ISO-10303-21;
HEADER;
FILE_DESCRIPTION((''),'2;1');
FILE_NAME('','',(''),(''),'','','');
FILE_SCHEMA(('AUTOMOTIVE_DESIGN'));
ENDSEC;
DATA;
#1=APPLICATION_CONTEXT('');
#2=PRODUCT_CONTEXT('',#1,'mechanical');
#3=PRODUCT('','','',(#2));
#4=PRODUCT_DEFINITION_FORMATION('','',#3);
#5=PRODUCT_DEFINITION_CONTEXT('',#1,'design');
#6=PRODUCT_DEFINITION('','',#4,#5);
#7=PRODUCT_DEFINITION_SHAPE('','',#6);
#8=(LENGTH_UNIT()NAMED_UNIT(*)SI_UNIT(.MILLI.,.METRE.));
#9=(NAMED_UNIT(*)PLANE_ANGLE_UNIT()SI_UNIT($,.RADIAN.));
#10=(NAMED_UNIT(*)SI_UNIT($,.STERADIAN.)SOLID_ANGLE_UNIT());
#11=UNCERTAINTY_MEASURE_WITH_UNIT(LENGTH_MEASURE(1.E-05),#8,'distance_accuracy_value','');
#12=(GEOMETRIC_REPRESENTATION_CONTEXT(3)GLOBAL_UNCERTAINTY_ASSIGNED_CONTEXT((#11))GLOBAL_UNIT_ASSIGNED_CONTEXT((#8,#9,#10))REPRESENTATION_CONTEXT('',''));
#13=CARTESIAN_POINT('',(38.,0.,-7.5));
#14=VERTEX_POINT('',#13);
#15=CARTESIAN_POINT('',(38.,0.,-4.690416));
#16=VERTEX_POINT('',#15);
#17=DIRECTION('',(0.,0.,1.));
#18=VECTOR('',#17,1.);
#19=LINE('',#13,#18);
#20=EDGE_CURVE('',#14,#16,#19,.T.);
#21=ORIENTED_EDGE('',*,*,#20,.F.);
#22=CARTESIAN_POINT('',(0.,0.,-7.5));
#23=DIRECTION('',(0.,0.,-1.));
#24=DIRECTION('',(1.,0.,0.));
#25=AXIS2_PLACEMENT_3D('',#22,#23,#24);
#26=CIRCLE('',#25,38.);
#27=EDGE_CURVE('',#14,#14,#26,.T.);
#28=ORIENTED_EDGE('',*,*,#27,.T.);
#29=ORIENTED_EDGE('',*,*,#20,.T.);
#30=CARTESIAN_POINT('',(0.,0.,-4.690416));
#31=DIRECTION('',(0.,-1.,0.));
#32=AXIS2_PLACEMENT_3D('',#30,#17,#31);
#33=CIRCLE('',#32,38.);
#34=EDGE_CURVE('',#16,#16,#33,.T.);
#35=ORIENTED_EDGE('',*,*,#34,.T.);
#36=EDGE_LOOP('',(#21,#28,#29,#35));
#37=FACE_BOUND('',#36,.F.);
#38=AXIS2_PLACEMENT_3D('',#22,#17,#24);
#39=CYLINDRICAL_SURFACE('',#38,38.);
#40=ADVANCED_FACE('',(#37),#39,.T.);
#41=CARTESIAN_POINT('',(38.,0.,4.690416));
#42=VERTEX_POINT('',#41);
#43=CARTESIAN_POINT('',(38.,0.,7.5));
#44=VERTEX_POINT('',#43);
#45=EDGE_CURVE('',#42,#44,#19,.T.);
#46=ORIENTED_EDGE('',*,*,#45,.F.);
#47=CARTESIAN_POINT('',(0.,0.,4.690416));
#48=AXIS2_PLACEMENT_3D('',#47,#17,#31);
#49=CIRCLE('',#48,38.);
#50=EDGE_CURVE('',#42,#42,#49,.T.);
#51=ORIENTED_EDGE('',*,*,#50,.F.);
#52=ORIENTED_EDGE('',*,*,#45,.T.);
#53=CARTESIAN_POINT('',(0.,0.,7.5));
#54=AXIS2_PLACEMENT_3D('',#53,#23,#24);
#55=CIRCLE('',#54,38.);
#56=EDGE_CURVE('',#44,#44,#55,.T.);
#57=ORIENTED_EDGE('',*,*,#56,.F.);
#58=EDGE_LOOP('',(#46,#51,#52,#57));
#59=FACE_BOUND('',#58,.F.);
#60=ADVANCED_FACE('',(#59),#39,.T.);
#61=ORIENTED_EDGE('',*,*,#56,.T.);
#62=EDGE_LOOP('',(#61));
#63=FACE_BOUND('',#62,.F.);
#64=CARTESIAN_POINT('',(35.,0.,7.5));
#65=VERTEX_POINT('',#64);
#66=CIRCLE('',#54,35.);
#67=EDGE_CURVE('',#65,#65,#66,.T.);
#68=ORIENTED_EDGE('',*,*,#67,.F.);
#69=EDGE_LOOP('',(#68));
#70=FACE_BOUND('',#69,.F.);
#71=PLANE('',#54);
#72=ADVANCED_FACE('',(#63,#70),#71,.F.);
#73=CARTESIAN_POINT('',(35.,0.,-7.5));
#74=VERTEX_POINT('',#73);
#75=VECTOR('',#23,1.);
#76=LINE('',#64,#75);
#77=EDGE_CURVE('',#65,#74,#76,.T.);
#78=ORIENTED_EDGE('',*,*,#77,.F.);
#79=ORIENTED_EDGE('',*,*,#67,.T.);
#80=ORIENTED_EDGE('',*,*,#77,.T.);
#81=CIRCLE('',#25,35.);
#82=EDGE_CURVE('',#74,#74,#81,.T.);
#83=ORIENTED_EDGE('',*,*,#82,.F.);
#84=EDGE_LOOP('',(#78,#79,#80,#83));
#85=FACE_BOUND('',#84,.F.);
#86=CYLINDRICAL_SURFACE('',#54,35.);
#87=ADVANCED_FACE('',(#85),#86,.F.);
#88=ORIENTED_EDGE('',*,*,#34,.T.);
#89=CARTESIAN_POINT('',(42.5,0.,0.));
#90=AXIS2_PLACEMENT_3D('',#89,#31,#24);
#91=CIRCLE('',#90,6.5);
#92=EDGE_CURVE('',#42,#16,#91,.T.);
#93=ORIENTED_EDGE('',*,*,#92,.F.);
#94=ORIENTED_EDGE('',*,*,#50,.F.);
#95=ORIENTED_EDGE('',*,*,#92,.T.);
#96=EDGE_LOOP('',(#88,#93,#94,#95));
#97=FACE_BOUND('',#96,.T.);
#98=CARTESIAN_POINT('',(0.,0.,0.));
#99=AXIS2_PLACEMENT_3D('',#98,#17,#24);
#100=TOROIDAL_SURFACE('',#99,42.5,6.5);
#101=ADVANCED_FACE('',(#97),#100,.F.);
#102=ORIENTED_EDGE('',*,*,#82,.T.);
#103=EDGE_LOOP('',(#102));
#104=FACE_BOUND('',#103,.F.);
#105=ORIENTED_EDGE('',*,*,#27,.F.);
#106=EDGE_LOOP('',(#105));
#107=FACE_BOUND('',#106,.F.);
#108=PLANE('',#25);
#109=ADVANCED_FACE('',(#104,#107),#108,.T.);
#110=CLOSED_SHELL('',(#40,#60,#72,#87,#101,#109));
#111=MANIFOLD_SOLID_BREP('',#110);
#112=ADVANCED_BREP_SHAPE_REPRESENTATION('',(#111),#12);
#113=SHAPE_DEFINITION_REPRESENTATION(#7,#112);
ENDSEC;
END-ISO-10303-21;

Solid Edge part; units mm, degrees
sketch "Sketch1" plane through (0, 0, 0) normal (0, -1, 0) x (1, 0, 0)
  line L0 (35, 7.5) -> (35, -7.5)
  line L1 (35, -7.5) -> (38, -7.5)
  line L2 (38, -7.5) -> (38, 7.5)
  line L3 (38, 7.5) -> (35, 7.5)
  dimension "D1" = 15
  dimension "D2" = 3
revolve "RevolvedProtrusion1" add sketch "Sketch1" angle 360 about axis through (0, 0, 54) along (0, 0, -1)
sketch "Sketch2" plane through (0, 0, 0) normal (0, -1, 0) x (1, 0, 0)
  circle A0 centre (42.5, 0) radius 6.5
  dimension "D1" = 13
revolve "RevolvedCutout1" cut sketch "Sketch2" angle 360 about axis through (0, 0, 54) along (0, 0, -1)
properties material "Polyethylene, low density"
